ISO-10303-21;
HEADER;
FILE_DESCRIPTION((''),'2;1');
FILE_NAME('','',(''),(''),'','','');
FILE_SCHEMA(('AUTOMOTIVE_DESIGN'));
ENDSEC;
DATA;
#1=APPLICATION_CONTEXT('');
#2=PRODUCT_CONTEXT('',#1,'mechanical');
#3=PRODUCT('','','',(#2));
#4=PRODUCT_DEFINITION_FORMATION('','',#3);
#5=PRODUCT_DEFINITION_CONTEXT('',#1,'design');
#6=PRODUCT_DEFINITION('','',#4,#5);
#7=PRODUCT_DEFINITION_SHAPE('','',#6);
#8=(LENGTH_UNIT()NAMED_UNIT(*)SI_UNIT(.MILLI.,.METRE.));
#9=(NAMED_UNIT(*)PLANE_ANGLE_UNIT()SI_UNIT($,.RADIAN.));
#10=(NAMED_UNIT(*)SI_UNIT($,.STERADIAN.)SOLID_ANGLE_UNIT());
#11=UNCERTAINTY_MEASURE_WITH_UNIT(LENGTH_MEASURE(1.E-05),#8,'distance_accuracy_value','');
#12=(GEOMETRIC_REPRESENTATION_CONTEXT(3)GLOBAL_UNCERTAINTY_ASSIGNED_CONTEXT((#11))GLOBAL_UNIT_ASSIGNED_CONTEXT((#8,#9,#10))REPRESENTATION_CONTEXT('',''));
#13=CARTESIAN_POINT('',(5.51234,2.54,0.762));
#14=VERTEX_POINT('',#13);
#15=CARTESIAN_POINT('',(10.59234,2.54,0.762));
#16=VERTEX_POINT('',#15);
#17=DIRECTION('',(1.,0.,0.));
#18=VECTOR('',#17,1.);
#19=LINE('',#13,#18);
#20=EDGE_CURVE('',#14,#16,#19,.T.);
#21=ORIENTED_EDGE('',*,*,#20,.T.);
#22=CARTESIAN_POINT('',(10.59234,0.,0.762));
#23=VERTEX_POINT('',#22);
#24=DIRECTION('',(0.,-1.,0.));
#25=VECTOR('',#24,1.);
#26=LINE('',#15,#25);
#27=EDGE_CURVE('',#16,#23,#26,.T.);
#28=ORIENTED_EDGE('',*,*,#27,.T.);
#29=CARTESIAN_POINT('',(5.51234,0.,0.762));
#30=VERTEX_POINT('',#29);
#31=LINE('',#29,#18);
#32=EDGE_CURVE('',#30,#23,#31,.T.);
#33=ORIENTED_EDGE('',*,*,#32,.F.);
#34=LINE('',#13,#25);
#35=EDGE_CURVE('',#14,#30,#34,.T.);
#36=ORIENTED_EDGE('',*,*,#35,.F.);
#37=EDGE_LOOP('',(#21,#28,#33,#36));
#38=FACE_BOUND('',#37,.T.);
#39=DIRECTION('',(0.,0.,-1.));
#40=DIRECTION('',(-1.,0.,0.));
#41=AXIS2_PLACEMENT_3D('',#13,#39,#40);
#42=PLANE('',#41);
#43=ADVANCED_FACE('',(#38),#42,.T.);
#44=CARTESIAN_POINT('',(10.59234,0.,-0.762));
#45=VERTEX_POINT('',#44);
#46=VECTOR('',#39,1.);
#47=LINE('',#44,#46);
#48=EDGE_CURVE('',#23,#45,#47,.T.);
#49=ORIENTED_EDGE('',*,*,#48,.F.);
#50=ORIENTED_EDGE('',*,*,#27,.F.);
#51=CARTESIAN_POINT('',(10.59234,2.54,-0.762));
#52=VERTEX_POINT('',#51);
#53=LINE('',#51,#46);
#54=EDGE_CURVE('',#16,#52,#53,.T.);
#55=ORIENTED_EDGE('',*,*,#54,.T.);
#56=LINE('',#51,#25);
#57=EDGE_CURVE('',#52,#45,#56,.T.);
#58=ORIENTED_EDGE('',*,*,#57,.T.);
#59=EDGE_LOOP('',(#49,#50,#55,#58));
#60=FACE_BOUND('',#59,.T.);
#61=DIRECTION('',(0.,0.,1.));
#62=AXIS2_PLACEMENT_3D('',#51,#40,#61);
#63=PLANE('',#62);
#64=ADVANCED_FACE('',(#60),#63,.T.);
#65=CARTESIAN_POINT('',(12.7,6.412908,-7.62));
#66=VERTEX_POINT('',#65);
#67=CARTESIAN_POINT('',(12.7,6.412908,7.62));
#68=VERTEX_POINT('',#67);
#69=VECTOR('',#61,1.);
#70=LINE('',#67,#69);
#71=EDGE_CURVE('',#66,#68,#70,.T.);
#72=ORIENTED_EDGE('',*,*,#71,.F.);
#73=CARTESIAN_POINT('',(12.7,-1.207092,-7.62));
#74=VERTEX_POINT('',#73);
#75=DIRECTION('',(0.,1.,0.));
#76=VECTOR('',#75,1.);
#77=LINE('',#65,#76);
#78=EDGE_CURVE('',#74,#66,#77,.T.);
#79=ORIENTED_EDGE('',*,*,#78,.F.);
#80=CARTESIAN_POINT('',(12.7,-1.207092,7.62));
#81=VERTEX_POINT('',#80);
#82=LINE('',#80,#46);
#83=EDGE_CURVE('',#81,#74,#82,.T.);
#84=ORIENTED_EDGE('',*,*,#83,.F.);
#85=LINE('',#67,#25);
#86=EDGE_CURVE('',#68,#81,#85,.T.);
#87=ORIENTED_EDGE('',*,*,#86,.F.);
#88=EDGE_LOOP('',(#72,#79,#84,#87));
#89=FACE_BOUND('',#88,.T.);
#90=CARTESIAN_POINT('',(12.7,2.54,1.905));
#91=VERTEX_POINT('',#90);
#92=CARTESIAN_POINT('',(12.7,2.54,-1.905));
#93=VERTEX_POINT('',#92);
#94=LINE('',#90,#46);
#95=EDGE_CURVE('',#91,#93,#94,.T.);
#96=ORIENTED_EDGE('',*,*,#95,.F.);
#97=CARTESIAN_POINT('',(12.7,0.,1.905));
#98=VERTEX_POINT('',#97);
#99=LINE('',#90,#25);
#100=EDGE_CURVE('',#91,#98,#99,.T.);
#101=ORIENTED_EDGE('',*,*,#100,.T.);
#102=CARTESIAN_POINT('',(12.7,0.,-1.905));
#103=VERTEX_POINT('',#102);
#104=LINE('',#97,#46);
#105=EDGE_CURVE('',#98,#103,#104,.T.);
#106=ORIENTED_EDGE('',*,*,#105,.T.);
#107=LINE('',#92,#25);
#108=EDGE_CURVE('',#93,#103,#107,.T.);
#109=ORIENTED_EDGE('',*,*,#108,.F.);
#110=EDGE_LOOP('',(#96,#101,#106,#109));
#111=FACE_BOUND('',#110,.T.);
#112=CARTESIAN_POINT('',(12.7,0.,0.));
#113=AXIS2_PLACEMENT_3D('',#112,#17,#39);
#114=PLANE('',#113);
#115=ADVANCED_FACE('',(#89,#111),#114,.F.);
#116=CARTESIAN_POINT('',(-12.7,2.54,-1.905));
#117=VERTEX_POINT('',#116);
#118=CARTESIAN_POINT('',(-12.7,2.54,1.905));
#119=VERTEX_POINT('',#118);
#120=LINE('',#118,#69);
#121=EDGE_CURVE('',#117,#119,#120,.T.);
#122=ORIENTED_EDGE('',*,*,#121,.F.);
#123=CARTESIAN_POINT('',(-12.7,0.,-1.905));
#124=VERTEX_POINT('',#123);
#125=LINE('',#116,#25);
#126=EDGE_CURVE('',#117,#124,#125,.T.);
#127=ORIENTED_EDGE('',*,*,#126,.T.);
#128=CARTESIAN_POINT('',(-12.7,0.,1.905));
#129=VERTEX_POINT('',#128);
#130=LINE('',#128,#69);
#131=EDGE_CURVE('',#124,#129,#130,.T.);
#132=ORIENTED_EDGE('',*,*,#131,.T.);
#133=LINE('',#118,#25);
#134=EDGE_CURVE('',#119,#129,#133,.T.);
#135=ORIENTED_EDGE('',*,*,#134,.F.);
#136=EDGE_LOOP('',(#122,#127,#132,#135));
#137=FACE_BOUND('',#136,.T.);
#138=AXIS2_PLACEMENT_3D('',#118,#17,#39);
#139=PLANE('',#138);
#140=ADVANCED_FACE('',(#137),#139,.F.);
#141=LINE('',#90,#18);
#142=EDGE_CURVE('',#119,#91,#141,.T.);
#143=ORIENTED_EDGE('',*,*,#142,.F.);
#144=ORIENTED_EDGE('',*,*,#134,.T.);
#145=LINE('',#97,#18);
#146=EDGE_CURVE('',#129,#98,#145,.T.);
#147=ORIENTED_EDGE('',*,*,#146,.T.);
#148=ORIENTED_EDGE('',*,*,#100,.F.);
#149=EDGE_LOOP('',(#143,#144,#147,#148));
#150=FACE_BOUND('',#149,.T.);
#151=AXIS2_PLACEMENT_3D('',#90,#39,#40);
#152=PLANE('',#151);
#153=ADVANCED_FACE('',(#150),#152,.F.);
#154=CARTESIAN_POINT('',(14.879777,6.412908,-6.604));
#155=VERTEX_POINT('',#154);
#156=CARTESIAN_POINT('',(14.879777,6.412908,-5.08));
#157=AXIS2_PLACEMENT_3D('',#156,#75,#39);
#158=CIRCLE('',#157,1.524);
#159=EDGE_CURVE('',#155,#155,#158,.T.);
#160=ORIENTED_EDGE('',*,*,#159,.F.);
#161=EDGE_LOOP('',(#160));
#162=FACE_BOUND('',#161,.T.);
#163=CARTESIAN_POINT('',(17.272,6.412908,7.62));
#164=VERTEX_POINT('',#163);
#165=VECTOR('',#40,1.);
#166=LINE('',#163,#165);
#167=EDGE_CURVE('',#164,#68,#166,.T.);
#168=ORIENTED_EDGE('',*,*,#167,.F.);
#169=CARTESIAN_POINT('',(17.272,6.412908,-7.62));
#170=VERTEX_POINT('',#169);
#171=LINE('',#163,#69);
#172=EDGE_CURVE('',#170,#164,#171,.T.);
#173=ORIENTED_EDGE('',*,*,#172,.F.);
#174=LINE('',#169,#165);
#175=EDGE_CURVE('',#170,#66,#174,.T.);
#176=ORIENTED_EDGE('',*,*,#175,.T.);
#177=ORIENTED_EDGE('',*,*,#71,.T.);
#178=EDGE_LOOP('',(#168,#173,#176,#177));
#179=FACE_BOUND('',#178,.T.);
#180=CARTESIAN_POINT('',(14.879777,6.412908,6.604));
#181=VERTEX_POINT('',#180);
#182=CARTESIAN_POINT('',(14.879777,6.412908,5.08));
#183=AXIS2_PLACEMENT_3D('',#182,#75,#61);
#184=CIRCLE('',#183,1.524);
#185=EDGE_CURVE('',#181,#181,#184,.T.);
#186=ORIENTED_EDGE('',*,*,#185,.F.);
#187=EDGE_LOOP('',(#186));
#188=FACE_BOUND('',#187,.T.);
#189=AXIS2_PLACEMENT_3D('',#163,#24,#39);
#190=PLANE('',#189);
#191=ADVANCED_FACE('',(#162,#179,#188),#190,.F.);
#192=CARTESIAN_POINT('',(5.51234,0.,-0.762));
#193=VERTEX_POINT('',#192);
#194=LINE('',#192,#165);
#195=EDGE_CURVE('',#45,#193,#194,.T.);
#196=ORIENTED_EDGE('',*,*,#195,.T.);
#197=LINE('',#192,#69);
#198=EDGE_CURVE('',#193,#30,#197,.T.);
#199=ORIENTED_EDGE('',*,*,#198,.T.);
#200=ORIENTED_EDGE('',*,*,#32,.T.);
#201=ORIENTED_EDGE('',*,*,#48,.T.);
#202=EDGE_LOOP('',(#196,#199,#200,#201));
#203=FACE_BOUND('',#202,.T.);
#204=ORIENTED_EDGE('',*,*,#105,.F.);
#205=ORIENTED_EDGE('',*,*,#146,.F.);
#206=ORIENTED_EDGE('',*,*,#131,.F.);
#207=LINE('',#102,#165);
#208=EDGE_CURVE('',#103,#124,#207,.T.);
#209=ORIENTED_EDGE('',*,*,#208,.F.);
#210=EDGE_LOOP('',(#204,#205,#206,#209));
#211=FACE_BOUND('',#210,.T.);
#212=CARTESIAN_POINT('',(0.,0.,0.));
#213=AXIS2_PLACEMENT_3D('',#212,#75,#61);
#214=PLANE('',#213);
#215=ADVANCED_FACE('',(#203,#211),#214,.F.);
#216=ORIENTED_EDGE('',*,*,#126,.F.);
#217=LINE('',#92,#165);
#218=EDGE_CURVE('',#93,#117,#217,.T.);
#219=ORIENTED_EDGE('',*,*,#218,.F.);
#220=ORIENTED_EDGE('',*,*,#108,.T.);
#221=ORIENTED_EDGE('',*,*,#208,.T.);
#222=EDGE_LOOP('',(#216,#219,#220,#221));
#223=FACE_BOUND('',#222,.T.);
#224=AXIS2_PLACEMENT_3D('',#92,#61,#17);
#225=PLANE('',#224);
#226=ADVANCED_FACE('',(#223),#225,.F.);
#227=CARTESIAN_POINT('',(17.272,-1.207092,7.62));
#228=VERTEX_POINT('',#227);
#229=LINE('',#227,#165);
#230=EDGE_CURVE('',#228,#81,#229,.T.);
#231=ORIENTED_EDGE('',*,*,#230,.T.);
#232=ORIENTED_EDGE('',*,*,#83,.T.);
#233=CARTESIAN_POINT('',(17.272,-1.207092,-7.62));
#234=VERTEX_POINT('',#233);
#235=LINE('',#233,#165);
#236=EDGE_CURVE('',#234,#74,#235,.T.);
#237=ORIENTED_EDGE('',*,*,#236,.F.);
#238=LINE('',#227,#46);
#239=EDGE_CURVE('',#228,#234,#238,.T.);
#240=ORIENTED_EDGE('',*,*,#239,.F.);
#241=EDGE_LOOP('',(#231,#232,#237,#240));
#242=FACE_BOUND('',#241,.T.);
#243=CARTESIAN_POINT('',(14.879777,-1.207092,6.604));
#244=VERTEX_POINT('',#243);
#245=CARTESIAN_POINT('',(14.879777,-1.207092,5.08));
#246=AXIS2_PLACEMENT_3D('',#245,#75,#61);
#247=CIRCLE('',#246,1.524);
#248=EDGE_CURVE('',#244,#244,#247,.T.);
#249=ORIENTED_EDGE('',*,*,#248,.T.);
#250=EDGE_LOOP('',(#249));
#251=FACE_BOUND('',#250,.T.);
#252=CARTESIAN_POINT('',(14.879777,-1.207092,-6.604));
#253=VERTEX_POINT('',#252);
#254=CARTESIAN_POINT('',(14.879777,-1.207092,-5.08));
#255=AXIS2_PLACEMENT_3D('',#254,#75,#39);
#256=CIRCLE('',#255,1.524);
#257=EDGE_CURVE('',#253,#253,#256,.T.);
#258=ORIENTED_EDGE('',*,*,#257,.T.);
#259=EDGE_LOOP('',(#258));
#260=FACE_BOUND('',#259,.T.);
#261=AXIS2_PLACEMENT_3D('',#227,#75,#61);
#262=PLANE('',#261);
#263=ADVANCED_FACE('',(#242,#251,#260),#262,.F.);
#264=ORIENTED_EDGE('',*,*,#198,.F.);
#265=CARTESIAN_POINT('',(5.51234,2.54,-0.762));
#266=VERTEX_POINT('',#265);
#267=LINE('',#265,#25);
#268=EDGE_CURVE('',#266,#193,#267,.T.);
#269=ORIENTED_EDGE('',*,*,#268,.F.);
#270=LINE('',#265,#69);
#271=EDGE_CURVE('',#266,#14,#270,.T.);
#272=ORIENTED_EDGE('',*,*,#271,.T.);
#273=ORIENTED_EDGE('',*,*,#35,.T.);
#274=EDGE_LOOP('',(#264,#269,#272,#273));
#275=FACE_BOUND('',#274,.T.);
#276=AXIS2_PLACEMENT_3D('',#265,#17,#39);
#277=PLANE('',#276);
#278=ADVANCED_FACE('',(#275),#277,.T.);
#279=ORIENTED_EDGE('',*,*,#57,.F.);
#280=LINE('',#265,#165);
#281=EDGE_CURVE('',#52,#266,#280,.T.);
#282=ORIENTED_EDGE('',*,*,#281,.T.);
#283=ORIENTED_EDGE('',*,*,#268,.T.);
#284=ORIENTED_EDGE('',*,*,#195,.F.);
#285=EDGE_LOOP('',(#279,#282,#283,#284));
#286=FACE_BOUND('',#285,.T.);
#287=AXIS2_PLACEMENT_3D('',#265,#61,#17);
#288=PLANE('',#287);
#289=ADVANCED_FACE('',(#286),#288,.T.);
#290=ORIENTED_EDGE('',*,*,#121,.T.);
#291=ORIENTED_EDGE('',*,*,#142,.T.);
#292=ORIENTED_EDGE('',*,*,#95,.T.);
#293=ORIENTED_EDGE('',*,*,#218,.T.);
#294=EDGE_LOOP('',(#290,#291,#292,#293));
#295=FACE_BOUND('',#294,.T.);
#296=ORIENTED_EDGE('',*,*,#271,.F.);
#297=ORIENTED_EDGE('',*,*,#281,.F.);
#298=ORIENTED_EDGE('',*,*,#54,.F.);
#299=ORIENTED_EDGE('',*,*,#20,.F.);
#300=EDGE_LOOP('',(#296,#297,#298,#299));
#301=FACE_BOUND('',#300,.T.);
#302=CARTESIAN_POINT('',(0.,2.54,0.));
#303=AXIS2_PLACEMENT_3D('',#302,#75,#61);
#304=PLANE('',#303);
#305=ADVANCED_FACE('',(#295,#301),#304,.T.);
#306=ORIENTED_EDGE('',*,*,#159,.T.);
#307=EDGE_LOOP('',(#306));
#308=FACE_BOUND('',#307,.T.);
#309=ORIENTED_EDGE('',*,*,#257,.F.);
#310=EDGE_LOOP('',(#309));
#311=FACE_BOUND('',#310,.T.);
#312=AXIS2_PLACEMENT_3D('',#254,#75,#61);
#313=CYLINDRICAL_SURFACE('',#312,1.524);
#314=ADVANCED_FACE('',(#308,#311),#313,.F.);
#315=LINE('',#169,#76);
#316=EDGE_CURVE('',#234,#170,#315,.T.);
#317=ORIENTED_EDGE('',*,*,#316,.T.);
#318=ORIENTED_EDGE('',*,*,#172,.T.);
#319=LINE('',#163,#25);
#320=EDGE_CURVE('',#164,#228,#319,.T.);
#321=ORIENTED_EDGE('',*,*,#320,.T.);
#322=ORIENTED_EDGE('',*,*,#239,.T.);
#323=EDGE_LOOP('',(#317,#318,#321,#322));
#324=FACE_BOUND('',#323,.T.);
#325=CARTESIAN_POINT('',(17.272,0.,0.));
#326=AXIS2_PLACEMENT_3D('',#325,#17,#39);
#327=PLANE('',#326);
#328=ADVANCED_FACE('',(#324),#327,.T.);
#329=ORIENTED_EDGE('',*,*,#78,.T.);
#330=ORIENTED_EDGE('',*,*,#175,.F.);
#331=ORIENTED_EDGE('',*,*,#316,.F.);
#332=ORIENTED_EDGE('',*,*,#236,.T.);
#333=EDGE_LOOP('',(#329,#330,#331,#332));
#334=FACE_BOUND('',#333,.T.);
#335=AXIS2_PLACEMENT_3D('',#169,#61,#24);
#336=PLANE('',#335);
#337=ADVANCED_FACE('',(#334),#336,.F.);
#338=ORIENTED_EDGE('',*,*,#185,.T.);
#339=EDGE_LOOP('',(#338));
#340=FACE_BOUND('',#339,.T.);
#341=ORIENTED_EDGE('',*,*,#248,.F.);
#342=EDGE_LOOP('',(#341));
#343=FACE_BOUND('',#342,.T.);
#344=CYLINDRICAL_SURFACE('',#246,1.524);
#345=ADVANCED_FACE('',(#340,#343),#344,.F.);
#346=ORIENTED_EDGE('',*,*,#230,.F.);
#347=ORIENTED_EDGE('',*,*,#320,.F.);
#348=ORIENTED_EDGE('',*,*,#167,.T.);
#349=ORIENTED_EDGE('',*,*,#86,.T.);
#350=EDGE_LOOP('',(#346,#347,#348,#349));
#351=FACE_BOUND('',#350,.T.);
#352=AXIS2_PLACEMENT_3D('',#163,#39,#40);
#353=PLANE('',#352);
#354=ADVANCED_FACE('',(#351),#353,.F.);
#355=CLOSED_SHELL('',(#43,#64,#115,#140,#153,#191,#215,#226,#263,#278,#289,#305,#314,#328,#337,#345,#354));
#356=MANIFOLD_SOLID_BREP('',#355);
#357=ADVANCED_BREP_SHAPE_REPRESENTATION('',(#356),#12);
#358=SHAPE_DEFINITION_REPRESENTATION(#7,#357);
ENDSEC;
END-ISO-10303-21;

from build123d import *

# Parameters (mm, degrees)
SKETCH1_W           = 25.4
SKETCH1_H           = 3.81
SKETCH1_W_2         = 5.08
SKETCH1_H_2         = 1.524
BOSS_EXTRUDE1_DEPTH = 2.54
SKETCH3_W           = 15.24
SKETCH3_H           = 7.62
BOSS_EXTRUDE2_DEPTH = 4.572
SKETCH4_R           = 1.524
CUT_EXTRUDE1_DEPTH  = 21.358064348


with BuildPart() as part:
    # Sketch1 → Boss-Extrude1 (new body)
    with BuildSketch(Plane(origin=(0, 0, 0), x_dir=(1, 0, 0), z_dir=(0, 1, 0))):
        Rectangle(SKETCH1_W, SKETCH1_H)
        with Locations((8.052340426, 0)):
            Rectangle(SKETCH1_W_2, SKETCH1_H_2, mode=Mode.SUBTRACT)
    extrude(amount=BOSS_EXTRUDE1_DEPTH)

    # Sketch3 → Boss-Extrude2 (add)
    with BuildSketch(Plane(origin=(12.7, 0, 0), x_dir=(0, 0, -1), z_dir=(1, 0, 0))):
        with Locations((0, 2.602908147)):
            Rectangle(SKETCH3_W, SKETCH3_H)
    extrude(amount=BOSS_EXTRUDE2_DEPTH)

    # Sketch4 → Cut-Extrude1 (cut, through all)
    with BuildSketch(Plane(origin=(0, 6.412908147, 0), x_dir=(1, 0, 0), z_dir=(0, 1, 0))):
        with Locations(Location((14.879777227, -5.08, 0), (0, 0, 270))):
            Circle(SKETCH4_R)
        with Locations(Location((14.879777227, 5.08, 0), (0, 0, 90))):
            Circle(SKETCH4_R)
    extrude(amount=-CUT_EXTRUDE1_DEPTH, mode=Mode.SUBTRACT)


solid = part.part
